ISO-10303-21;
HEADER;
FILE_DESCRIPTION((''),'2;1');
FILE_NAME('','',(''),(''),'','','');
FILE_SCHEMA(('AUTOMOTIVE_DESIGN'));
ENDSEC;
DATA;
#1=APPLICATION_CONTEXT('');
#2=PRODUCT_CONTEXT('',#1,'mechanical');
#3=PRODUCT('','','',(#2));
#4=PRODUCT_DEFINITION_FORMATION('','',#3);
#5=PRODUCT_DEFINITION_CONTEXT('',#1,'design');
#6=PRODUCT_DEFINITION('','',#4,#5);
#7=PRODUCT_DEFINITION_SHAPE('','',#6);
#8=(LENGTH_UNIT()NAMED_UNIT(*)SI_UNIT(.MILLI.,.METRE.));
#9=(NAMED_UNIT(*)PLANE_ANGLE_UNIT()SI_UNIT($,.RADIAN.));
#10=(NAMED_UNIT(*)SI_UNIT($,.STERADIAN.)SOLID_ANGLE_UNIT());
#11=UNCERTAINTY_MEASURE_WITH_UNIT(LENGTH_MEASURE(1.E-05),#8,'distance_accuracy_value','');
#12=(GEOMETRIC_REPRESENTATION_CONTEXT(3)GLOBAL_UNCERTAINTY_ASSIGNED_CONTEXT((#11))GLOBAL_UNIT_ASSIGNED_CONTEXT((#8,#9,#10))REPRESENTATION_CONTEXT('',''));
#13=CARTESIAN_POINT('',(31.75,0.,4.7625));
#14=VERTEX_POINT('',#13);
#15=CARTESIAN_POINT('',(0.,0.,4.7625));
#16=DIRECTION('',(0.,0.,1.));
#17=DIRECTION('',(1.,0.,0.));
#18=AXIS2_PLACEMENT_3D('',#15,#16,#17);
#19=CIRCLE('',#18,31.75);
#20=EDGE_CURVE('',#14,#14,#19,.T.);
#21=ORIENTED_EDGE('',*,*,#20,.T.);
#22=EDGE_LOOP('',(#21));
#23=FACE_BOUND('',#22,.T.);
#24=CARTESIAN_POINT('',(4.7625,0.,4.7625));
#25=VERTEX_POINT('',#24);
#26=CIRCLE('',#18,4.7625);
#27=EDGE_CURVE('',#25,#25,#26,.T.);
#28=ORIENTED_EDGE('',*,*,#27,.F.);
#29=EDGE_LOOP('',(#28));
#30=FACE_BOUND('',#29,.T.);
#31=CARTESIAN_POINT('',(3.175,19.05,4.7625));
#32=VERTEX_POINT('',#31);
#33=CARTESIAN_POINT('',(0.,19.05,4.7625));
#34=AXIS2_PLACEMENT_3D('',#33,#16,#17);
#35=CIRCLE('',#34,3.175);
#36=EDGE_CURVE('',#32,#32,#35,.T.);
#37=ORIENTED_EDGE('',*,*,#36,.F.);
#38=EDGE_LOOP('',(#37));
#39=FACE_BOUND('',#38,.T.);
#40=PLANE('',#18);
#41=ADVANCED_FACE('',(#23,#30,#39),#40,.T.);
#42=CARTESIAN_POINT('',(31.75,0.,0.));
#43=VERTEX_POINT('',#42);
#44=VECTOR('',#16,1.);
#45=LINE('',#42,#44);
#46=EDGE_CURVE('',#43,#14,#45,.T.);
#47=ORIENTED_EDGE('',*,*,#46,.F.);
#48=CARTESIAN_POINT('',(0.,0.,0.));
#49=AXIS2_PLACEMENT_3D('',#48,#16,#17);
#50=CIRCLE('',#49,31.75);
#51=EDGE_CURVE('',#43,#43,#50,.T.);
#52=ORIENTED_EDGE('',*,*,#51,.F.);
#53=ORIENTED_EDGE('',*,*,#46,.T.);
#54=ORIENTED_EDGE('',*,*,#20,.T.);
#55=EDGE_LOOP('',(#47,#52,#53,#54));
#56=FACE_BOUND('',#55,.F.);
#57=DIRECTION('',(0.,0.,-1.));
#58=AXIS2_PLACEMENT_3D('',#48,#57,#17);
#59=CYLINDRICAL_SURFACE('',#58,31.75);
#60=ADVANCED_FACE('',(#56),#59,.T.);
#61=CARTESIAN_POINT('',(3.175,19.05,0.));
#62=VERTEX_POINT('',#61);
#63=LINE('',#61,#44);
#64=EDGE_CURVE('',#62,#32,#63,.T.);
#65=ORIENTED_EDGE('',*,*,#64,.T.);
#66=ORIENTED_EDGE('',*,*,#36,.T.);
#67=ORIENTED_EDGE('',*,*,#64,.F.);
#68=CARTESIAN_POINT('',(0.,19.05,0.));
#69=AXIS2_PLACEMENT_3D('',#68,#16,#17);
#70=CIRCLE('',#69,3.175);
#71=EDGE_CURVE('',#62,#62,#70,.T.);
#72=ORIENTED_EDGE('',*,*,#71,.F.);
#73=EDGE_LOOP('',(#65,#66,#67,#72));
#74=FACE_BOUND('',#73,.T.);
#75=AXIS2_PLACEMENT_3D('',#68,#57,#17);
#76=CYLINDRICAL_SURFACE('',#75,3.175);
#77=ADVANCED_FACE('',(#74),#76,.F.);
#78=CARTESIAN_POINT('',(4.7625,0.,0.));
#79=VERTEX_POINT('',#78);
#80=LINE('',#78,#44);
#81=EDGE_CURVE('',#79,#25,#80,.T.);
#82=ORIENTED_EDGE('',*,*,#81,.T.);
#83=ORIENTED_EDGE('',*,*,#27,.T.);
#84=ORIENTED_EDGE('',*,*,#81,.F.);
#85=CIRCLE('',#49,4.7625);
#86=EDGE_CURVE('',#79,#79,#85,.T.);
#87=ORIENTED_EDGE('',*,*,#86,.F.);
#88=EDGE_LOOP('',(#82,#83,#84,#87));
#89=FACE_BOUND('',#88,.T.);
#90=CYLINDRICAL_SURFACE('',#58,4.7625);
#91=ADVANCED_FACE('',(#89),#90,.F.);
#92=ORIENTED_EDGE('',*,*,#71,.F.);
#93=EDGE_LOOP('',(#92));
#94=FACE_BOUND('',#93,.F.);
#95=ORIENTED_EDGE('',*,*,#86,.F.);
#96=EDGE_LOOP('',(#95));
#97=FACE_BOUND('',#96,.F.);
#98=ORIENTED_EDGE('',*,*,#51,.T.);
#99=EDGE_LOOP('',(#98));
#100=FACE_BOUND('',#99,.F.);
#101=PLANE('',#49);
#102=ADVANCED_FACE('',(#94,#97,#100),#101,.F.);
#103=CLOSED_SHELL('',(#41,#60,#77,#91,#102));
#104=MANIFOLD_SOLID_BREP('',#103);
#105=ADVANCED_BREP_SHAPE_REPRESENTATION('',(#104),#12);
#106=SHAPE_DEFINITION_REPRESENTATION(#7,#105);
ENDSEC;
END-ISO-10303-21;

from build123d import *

# Parameters (mm, degrees)
F0_R     = 31.75
F0_R_2   = 4.7625
F0_R_3   = 3.175
F1_DEPTH = 4.7625


with BuildPart() as f1:
    # F0 (on Top) → F1 (new body)
    with BuildSketch(Plane.XY):
        Circle(F0_R)
        Circle(F0_R_2, mode=Mode.SUBTRACT)
        with Locations((0, 19.05)):
            Circle(F0_R_3, mode=Mode.SUBTRACT)
    extrude(amount=F1_DEPTH)


solid = f1.part
